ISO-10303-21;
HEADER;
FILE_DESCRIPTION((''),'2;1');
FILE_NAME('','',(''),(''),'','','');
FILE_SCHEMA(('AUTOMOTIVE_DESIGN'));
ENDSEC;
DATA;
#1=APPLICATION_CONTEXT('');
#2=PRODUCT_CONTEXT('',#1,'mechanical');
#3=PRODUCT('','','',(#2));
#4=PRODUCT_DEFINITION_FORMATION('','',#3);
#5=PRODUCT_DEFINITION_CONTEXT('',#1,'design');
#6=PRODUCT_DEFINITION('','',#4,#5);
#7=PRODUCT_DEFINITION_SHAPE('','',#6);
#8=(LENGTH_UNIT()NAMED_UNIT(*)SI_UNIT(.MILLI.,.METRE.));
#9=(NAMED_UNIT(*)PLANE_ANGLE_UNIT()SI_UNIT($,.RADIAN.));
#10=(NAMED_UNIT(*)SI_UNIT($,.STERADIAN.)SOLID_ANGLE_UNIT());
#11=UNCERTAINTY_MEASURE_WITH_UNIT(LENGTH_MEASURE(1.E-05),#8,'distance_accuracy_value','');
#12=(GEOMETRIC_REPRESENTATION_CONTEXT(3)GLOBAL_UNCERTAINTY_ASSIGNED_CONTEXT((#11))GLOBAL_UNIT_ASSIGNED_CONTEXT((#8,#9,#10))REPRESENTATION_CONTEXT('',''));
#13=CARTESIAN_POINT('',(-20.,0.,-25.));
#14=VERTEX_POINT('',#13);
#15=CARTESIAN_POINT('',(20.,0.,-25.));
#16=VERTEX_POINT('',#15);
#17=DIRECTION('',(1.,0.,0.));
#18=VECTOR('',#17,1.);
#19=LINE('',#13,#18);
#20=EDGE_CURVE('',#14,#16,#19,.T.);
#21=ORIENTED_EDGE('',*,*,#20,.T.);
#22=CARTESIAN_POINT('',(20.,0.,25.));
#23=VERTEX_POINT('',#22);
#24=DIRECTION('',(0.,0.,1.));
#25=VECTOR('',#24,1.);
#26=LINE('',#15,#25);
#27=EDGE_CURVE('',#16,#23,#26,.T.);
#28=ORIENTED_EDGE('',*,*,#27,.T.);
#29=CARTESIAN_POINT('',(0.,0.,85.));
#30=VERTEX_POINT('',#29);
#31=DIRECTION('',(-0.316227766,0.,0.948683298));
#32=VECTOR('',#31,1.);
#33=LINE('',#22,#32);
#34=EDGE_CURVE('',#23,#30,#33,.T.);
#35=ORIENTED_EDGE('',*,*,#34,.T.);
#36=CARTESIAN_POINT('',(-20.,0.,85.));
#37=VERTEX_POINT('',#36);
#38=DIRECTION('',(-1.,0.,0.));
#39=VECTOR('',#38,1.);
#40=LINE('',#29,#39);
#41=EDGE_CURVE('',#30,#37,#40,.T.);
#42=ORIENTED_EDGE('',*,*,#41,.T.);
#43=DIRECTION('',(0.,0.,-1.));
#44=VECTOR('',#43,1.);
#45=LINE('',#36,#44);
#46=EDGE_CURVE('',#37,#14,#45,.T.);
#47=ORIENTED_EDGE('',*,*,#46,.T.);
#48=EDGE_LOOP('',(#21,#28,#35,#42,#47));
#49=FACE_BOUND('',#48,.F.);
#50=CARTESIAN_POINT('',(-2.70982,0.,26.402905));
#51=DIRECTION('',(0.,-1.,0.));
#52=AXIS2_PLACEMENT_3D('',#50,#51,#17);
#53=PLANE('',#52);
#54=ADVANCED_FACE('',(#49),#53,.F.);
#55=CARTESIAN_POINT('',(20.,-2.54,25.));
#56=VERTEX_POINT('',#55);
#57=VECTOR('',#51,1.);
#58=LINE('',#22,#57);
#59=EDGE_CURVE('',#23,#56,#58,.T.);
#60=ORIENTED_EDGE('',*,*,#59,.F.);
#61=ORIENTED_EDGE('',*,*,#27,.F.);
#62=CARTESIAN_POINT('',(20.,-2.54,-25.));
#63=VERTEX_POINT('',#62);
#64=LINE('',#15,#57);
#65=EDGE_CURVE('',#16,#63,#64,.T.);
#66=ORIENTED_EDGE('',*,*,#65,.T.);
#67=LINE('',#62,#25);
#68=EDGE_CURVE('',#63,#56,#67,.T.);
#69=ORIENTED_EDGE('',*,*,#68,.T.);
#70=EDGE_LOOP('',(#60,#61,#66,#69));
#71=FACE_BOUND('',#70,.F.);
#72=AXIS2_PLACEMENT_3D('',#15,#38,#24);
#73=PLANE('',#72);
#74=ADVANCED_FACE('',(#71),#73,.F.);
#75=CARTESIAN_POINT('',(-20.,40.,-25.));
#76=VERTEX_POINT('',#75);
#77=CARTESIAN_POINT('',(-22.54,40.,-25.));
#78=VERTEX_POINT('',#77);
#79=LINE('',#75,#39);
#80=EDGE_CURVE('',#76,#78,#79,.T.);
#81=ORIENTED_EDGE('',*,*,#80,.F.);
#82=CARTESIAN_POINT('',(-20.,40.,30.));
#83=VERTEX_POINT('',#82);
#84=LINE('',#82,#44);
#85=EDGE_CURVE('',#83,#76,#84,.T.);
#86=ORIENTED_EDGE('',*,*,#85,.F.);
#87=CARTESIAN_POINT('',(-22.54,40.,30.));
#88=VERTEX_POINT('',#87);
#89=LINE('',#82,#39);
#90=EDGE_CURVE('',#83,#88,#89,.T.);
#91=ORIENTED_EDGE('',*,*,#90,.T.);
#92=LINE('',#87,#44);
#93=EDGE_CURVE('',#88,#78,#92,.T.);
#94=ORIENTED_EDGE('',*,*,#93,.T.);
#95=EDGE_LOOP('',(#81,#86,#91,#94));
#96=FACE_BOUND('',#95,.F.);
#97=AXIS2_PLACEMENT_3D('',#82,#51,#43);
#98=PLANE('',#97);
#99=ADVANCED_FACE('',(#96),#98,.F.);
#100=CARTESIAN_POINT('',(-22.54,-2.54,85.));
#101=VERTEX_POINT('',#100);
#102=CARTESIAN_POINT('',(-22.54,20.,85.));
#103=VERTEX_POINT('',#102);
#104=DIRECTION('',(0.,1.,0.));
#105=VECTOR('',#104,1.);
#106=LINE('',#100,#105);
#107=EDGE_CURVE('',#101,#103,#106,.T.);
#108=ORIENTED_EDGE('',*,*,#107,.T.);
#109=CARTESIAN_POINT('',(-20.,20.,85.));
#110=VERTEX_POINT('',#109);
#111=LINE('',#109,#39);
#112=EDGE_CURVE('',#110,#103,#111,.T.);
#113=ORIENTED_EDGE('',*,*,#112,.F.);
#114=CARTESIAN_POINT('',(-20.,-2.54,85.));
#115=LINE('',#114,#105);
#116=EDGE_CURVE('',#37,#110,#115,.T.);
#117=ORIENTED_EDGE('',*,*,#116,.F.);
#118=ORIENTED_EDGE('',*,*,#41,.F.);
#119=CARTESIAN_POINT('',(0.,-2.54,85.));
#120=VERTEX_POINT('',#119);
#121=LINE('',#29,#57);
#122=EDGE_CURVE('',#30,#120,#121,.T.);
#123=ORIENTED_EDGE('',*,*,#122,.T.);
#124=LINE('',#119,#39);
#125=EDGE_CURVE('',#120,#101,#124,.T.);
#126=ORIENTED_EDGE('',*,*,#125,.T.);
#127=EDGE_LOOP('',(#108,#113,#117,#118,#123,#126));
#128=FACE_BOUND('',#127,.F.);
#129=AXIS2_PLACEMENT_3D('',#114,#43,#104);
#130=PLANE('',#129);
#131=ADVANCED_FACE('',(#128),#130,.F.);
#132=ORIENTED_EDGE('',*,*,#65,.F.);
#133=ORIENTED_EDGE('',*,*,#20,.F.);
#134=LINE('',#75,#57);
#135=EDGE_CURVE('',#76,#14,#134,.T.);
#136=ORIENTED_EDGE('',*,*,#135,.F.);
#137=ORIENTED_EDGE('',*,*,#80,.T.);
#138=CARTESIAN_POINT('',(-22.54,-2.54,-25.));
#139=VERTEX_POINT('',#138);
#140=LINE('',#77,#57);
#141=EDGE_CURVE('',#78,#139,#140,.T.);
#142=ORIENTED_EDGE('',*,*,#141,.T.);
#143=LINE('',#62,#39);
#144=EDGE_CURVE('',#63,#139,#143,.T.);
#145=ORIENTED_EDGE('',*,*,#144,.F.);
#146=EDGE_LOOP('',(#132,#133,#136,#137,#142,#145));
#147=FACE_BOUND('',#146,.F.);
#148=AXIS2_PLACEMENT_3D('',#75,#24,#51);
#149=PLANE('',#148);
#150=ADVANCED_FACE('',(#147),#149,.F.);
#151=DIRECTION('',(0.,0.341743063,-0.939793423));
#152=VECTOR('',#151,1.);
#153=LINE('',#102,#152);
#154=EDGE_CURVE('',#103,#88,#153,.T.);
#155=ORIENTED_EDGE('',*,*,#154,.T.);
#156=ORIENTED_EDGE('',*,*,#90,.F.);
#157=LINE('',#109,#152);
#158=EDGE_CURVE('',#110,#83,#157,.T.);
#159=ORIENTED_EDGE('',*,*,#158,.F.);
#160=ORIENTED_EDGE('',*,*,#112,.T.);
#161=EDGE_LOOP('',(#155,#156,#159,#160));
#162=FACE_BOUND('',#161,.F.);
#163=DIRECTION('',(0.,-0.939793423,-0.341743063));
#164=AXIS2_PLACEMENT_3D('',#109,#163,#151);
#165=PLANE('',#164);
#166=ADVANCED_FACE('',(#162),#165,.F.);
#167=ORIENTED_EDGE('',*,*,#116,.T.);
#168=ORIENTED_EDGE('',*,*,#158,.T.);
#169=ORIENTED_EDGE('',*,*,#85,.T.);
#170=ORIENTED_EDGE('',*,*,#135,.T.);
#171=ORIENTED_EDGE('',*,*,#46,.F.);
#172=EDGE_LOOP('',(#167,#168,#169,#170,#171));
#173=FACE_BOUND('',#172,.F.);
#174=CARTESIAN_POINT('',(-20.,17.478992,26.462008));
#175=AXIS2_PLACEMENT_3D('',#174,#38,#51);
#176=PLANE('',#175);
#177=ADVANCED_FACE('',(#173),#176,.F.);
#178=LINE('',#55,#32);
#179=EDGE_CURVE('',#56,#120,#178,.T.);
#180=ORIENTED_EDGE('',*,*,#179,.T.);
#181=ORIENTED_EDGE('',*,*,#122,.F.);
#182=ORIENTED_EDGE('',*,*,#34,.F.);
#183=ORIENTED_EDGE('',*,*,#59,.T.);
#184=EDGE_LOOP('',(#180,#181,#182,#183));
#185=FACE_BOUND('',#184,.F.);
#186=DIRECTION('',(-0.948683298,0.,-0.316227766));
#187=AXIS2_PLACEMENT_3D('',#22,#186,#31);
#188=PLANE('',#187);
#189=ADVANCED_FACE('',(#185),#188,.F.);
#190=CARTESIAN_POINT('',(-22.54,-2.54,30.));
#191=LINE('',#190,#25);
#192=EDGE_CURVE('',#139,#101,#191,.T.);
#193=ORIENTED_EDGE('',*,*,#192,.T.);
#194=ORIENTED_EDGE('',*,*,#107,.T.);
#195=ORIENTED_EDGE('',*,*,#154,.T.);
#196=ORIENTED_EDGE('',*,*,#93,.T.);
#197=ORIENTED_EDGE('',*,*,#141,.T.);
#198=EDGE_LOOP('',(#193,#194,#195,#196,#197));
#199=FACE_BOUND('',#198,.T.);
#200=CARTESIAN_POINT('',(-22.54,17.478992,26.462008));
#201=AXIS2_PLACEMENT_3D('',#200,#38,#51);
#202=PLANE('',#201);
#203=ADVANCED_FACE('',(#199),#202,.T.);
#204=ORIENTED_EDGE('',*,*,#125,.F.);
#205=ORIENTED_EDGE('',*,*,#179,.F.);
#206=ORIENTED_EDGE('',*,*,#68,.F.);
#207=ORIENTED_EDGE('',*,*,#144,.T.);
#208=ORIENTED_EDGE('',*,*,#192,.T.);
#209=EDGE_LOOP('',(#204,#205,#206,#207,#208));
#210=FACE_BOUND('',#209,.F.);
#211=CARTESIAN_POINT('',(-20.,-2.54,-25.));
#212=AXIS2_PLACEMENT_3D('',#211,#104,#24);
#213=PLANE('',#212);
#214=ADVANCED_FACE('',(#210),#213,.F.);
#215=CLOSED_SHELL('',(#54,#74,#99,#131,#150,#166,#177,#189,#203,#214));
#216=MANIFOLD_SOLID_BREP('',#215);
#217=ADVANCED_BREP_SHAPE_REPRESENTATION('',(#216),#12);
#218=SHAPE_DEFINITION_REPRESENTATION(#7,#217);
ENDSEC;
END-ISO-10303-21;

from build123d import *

# Parameters (mm, degrees)
F1_DEPTH = 2.54
F2_W     = 2.54
F2_H     = 110
F3_DEPTH = 2.54


with BuildPart() as f1:
    # F0 (on Front) → F1 (new body)
    with BuildSketch(Plane.XZ):
        Polygon((-20, -25), (20, -25), (20, 25), (0, 85), (-20, 85), (-20, 25), align=None)
    extrude(amount=F1_DEPTH)

    # F2 (on face) → F3 (join)
    with BuildSketch(Plane(origin=(-20, 0, 0), x_dir=(0, -1, 0), z_dir=(-1, 0, 0))):
        Polygon((-40, -25), (0, -25), (0, 85), (-20, 85), (-40, 30), align=None)
        with Locations((1.27, 30)):
            Rectangle(F2_W, F2_H)
    extrude(amount=F3_DEPTH)


solid = f1.part
